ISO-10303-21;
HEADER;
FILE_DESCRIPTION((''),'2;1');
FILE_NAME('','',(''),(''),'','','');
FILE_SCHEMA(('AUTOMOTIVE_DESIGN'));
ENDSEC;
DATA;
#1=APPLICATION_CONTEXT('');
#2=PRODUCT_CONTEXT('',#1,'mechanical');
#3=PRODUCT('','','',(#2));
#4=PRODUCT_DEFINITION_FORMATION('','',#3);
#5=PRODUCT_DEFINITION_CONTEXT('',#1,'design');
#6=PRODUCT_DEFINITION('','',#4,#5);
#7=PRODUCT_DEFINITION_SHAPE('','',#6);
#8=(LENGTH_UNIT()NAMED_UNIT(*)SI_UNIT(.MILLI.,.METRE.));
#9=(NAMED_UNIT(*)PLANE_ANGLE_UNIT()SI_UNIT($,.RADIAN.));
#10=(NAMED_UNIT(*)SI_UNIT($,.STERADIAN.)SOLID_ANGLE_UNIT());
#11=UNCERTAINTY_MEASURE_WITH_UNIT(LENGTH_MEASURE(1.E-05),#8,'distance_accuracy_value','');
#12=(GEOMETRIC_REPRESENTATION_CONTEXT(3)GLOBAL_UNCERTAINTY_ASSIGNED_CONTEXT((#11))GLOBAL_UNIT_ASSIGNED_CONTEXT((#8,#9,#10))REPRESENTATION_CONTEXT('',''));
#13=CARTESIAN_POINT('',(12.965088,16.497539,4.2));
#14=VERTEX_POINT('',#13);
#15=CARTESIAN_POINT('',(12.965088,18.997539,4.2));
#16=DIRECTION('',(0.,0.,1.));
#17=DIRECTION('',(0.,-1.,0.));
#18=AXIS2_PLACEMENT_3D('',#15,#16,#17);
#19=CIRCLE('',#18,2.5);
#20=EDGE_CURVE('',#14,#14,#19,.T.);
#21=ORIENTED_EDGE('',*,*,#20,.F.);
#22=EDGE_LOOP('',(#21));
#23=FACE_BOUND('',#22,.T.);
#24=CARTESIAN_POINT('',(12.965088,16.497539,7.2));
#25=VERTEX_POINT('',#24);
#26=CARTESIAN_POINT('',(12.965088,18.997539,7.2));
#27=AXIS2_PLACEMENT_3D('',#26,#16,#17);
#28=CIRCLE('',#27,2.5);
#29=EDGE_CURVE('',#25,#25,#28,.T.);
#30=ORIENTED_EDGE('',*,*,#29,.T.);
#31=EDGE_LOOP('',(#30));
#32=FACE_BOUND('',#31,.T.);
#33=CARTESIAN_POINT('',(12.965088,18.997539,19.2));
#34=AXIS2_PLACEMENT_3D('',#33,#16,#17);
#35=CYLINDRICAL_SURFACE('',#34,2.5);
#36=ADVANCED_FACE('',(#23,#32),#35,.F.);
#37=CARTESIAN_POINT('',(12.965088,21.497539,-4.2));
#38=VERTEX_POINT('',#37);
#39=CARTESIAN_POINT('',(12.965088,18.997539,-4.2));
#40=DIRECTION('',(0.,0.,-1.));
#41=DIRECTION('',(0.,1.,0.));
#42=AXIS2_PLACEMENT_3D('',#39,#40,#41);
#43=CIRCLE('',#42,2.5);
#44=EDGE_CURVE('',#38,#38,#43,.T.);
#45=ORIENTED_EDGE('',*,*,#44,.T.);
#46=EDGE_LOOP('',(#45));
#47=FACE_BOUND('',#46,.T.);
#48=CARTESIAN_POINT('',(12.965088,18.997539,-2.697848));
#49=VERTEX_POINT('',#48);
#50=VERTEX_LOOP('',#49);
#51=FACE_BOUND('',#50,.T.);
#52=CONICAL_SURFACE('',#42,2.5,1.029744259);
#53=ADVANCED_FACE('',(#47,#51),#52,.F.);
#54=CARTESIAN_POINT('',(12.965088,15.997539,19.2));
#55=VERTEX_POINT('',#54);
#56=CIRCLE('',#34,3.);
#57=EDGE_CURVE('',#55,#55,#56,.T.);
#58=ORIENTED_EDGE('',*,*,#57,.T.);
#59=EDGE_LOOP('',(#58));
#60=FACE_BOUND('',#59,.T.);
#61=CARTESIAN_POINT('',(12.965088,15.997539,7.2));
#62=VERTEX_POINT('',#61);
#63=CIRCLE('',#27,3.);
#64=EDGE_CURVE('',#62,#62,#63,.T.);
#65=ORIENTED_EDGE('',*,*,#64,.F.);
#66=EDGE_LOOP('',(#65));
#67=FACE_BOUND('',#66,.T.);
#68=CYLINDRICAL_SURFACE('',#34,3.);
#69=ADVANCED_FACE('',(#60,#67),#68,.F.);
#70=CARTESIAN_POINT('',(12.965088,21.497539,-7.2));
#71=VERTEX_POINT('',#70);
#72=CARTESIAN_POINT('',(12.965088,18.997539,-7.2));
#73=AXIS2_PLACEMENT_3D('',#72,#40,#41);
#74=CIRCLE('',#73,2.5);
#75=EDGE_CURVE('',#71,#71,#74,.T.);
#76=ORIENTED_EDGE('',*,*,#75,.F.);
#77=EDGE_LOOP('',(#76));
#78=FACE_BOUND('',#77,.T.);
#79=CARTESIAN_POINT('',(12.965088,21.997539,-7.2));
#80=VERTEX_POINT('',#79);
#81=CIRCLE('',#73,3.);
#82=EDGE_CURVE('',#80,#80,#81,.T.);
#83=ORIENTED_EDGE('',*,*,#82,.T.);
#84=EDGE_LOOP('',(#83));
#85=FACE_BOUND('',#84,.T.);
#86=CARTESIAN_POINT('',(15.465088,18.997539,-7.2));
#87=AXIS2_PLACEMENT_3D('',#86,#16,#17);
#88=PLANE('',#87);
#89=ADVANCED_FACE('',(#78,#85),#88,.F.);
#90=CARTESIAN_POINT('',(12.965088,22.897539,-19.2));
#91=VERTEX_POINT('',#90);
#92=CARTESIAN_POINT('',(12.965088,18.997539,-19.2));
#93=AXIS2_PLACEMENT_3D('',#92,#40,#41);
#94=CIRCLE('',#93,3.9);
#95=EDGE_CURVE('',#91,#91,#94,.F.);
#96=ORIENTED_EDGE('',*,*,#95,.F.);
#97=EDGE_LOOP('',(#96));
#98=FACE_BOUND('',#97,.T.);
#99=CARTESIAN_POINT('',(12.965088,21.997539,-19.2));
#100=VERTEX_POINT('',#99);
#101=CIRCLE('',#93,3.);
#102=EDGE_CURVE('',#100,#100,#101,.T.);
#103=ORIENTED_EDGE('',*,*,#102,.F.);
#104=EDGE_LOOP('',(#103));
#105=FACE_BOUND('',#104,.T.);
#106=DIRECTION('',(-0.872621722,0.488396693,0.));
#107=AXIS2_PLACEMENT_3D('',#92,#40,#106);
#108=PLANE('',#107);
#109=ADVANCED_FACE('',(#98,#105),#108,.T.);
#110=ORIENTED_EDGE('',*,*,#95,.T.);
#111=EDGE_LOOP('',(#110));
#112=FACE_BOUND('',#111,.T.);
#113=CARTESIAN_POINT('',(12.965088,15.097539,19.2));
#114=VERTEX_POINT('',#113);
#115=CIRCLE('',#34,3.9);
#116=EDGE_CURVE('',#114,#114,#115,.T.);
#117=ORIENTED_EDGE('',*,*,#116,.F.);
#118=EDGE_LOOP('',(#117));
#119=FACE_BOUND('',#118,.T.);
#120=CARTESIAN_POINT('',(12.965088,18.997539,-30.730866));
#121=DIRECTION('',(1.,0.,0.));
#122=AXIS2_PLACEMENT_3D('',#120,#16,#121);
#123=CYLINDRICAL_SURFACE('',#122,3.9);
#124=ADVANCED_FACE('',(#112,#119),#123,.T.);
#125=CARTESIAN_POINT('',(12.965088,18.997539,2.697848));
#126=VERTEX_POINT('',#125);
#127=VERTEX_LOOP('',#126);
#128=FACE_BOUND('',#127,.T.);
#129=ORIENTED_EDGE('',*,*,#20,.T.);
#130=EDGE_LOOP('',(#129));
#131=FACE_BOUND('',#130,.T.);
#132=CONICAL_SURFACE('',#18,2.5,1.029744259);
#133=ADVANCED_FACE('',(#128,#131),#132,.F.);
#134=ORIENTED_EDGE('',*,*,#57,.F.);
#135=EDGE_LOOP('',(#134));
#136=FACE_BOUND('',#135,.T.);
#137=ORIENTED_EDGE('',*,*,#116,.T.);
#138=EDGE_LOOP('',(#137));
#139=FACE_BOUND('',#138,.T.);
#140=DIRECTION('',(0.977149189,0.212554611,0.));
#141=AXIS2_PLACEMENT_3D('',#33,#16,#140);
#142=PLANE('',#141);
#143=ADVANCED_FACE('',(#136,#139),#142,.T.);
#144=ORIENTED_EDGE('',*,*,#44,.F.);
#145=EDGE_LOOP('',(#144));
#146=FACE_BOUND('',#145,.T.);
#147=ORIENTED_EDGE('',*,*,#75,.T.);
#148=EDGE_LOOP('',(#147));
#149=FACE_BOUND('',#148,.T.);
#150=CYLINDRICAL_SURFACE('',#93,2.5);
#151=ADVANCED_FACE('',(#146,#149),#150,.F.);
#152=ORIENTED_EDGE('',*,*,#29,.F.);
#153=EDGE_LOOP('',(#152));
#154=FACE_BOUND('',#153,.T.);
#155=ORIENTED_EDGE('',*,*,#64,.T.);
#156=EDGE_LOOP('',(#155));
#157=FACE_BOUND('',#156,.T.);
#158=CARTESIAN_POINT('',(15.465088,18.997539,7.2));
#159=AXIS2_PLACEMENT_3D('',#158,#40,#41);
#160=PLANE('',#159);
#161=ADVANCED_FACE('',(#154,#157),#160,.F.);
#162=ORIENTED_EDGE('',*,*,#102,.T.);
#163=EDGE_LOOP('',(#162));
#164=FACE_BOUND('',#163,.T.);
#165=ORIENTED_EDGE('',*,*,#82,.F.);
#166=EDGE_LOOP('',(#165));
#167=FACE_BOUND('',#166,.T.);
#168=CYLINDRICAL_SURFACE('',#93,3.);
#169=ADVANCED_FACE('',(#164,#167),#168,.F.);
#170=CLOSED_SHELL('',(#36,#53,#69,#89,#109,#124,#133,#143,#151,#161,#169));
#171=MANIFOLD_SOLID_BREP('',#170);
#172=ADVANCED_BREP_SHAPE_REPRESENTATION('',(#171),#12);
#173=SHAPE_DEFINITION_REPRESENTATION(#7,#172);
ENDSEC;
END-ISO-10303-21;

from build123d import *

# Parameters (mm, degrees)
EXTRUDE1_DEPTH                  = 19.2
EXTRUDE1_DEPTH_BACK             = 19.2
SKETCH1_R                       = 3.9
M6X1_0_TAPPED_HOLE3_D           = 5
M6X1_0_TAPPED_HOLE3_DEPTH       = 15
M6X1_0_TAPPED_HOLE3_CBORE_D     = 6
M6X1_0_TAPPED_HOLE3_CBORE_DEPTH = 12
M6X1_0_TAPPED_HOLE3_TIP         = 1.502151548
M6X1_0_TAPPED_HOLE4_D           = 5
M6X1_0_TAPPED_HOLE4_DEPTH       = 15
M6X1_0_TAPPED_HOLE4_CBORE_D     = 6
M6X1_0_TAPPED_HOLE4_CBORE_DEPTH = 12
M6X1_0_TAPPED_HOLE4_TIP         = 1.502151548


with BuildPart() as part:
    # Sketch1 → Extrude1 (new, two sides: drawn at the far end of the back side and taken through both)
    with BuildSketch(Plane.XY.offset(-EXTRUDE1_DEPTH_BACK)):
        with Locations(Location((12.965088215, 18.997538987, 0), (0, 0, 90))):
            Circle(SKETCH1_R)
    extrude(amount=EXTRUDE1_DEPTH + EXTRUDE1_DEPTH_BACK)

    # M6x1.0 Tapped Hole3
    with Locations(Plane(origin=(12.965088215, 18.997538987, 19.2), x_dir=(0, 1, 0), z_dir=(0, 0, 1))):
        with Locations((0, 0)):
            CounterBoreHole(M6X1_0_TAPPED_HOLE3_D / 2, M6X1_0_TAPPED_HOLE3_CBORE_D / 2, M6X1_0_TAPPED_HOLE3_CBORE_DEPTH, depth=M6X1_0_TAPPED_HOLE3_DEPTH)
            with Locations((0, 0, -(M6X1_0_TAPPED_HOLE3_DEPTH + M6X1_0_TAPPED_HOLE3_TIP / 2))):  # 118° drill point
                Cone(0, M6X1_0_TAPPED_HOLE3_D / 2, M6X1_0_TAPPED_HOLE3_TIP, mode=Mode.SUBTRACT)

    # M6x1.0 Tapped Hole4
    with Locations(Plane(origin=(12.965088215, 18.997538987, -19.2), x_dir=(0, -1, 0), z_dir=(0, 0, -1))):
        with Locations((0, 0)):
            CounterBoreHole(M6X1_0_TAPPED_HOLE4_D / 2, M6X1_0_TAPPED_HOLE4_CBORE_D / 2, M6X1_0_TAPPED_HOLE4_CBORE_DEPTH, depth=M6X1_0_TAPPED_HOLE4_DEPTH)
            with Locations((0, 0, -(M6X1_0_TAPPED_HOLE4_DEPTH + M6X1_0_TAPPED_HOLE4_TIP / 2))):  # 118° drill point
                Cone(0, M6X1_0_TAPPED_HOLE4_D / 2, M6X1_0_TAPPED_HOLE4_TIP, mode=Mode.SUBTRACT)


solid = part.part
